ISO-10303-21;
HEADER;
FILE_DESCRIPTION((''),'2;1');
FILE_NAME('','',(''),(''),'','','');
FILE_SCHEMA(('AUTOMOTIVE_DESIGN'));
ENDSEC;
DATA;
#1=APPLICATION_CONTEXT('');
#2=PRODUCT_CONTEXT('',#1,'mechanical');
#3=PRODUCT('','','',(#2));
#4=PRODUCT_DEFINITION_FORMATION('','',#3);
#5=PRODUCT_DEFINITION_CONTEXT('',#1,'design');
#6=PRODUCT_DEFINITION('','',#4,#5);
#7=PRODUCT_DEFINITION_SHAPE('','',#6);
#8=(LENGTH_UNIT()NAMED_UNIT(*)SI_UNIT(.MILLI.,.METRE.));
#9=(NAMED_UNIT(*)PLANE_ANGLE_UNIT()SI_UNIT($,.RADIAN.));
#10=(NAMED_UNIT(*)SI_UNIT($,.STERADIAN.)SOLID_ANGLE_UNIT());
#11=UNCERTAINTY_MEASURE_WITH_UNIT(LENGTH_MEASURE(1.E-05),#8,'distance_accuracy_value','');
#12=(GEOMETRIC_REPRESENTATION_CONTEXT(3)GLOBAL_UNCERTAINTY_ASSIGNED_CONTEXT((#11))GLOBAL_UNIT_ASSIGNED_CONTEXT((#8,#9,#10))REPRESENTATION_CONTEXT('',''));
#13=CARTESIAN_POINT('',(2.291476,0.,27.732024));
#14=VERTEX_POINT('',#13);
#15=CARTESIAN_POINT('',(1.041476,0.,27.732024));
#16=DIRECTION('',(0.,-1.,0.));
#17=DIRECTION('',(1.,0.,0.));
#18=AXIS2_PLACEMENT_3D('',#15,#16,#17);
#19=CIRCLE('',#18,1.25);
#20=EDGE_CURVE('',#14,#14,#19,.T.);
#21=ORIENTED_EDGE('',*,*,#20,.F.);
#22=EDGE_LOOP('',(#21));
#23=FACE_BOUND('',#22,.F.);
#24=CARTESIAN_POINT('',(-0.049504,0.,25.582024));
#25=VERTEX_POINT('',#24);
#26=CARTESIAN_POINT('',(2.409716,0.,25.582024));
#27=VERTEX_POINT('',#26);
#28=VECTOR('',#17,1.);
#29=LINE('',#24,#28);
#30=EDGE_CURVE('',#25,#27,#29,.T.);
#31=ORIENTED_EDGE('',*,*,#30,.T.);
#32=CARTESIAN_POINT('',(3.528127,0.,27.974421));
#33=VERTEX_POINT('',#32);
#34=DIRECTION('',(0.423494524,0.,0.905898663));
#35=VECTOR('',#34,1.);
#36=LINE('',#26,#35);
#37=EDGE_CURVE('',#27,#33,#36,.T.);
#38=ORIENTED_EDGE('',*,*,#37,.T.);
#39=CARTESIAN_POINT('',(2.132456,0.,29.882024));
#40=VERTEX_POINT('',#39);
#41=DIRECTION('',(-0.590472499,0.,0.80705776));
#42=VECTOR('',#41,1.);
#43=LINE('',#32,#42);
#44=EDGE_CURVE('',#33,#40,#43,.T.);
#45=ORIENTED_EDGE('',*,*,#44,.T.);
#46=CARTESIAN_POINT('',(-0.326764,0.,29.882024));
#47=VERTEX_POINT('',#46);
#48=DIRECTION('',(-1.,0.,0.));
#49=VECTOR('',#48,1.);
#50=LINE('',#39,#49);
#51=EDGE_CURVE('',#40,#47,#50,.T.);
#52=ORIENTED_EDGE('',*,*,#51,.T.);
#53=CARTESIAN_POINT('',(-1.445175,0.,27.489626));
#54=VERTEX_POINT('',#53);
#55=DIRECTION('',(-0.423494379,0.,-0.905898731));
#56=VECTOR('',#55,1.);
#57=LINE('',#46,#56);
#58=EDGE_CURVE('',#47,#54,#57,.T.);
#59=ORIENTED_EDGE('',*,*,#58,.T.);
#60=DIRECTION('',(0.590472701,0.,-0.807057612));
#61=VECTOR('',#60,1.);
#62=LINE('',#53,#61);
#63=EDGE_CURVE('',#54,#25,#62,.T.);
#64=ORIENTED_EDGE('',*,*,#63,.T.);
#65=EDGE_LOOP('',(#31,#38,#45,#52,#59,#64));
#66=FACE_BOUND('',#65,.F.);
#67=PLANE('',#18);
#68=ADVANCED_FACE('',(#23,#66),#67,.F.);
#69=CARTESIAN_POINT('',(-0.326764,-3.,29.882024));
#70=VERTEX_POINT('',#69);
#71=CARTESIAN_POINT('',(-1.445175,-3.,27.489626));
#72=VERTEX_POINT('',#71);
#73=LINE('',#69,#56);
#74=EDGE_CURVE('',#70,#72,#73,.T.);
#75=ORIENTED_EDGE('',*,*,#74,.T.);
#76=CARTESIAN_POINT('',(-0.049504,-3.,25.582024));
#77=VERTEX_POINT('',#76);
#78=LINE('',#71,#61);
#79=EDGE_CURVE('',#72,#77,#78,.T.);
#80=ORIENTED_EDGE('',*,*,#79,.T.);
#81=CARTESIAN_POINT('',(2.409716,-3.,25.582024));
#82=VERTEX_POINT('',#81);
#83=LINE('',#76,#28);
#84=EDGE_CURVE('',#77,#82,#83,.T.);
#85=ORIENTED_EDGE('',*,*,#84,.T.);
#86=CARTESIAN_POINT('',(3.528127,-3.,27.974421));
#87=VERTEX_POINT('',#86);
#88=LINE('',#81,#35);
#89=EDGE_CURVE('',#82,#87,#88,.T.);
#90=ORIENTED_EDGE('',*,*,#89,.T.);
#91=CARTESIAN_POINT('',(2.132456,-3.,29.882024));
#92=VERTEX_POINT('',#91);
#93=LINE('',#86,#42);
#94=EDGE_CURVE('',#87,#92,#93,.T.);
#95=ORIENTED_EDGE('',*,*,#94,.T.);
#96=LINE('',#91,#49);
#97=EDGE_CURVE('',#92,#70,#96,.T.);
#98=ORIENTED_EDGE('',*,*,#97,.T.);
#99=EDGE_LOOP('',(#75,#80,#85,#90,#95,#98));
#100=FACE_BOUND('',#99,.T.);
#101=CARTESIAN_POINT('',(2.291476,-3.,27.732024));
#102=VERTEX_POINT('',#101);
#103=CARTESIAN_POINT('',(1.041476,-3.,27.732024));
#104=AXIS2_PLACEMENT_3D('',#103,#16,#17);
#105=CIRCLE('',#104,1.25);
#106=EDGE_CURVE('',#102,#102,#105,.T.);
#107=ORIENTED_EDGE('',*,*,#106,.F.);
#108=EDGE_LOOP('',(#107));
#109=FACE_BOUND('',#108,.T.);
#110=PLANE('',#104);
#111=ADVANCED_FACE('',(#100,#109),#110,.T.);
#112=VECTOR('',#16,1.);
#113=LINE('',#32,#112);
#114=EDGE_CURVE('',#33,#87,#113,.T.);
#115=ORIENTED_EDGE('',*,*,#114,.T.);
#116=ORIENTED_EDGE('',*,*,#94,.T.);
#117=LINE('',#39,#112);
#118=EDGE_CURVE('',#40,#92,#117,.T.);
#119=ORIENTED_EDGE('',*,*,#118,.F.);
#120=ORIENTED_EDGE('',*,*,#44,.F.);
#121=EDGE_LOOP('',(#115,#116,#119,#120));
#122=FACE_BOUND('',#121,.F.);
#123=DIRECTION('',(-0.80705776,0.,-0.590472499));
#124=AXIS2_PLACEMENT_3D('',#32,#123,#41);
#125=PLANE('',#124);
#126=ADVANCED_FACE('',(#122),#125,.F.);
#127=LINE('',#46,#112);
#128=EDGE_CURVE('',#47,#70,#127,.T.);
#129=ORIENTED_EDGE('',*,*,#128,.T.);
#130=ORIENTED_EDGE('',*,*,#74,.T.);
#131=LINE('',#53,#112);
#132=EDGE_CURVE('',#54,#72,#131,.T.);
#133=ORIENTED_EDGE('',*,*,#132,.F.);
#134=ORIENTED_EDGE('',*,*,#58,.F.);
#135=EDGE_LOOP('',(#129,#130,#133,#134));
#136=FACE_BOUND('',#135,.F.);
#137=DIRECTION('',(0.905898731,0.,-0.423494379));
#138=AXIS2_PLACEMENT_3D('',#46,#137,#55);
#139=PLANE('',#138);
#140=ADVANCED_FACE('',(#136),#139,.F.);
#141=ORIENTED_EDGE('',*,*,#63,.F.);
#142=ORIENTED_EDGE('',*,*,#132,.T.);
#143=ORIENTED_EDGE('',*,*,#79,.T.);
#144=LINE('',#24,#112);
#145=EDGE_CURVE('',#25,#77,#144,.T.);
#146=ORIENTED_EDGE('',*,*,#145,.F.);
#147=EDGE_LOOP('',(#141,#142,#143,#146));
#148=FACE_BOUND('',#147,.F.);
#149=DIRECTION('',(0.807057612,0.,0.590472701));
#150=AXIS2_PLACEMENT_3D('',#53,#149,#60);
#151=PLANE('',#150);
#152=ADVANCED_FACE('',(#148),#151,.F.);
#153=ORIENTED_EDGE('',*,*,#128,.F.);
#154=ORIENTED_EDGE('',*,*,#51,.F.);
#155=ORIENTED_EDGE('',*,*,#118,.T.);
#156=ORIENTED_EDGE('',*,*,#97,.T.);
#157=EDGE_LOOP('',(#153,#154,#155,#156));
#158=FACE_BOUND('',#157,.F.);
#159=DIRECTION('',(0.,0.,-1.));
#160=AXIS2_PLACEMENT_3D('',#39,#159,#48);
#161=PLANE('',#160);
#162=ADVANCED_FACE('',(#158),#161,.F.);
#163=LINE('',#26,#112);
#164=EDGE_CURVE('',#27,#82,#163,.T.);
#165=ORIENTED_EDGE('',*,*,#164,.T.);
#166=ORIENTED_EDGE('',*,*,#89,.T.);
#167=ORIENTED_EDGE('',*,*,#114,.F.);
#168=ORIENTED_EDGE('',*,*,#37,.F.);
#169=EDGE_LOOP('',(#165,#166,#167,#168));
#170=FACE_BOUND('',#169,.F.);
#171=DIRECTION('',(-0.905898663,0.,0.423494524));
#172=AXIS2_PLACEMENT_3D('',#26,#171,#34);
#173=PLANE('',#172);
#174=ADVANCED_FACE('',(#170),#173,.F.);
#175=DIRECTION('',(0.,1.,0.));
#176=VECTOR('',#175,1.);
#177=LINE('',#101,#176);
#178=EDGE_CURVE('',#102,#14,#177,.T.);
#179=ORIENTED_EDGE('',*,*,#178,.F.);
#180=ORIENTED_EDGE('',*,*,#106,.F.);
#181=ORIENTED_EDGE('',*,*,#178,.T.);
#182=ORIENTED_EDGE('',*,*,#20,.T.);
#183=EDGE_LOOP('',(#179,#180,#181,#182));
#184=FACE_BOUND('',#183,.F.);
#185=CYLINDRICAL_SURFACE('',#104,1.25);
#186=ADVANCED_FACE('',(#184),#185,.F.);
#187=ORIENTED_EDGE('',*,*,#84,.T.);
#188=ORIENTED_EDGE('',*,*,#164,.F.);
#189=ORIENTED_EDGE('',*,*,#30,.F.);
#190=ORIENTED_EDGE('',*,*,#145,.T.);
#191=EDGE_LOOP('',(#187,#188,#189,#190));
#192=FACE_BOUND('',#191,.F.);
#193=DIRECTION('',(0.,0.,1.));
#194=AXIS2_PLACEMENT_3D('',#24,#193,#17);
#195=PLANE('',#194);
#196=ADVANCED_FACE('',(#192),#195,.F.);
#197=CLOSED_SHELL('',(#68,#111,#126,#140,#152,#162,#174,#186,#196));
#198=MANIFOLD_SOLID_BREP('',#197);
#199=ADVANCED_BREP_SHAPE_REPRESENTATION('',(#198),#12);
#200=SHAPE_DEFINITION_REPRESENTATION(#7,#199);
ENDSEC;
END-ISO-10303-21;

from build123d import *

# Parameters (mm, degrees)
F1_DEPTH = 3
F2_R     = 1.25
F3_DEPTH = 25


with BuildPart() as f1:
    # F0 (on Front) → F1 (new body)
    with BuildSketch(Plane.XZ):
        Polygon((2.132456, 29.882024), (-0.326764, 29.882024), (-1.445175, 27.489626), (-0.049504, 25.582024), (2.409716, 25.582024), (3.528127, 27.974421), align=None)
    extrude(amount=F1_DEPTH)

    # F2 (on face) → F3 (cut)
    with BuildSketch(Plane.XZ.offset(3)):
        with Locations((1.041476, 27.732024)):
            Circle(F2_R)
    extrude(amount=-F3_DEPTH, mode=Mode.SUBTRACT)


solid = f1.part
